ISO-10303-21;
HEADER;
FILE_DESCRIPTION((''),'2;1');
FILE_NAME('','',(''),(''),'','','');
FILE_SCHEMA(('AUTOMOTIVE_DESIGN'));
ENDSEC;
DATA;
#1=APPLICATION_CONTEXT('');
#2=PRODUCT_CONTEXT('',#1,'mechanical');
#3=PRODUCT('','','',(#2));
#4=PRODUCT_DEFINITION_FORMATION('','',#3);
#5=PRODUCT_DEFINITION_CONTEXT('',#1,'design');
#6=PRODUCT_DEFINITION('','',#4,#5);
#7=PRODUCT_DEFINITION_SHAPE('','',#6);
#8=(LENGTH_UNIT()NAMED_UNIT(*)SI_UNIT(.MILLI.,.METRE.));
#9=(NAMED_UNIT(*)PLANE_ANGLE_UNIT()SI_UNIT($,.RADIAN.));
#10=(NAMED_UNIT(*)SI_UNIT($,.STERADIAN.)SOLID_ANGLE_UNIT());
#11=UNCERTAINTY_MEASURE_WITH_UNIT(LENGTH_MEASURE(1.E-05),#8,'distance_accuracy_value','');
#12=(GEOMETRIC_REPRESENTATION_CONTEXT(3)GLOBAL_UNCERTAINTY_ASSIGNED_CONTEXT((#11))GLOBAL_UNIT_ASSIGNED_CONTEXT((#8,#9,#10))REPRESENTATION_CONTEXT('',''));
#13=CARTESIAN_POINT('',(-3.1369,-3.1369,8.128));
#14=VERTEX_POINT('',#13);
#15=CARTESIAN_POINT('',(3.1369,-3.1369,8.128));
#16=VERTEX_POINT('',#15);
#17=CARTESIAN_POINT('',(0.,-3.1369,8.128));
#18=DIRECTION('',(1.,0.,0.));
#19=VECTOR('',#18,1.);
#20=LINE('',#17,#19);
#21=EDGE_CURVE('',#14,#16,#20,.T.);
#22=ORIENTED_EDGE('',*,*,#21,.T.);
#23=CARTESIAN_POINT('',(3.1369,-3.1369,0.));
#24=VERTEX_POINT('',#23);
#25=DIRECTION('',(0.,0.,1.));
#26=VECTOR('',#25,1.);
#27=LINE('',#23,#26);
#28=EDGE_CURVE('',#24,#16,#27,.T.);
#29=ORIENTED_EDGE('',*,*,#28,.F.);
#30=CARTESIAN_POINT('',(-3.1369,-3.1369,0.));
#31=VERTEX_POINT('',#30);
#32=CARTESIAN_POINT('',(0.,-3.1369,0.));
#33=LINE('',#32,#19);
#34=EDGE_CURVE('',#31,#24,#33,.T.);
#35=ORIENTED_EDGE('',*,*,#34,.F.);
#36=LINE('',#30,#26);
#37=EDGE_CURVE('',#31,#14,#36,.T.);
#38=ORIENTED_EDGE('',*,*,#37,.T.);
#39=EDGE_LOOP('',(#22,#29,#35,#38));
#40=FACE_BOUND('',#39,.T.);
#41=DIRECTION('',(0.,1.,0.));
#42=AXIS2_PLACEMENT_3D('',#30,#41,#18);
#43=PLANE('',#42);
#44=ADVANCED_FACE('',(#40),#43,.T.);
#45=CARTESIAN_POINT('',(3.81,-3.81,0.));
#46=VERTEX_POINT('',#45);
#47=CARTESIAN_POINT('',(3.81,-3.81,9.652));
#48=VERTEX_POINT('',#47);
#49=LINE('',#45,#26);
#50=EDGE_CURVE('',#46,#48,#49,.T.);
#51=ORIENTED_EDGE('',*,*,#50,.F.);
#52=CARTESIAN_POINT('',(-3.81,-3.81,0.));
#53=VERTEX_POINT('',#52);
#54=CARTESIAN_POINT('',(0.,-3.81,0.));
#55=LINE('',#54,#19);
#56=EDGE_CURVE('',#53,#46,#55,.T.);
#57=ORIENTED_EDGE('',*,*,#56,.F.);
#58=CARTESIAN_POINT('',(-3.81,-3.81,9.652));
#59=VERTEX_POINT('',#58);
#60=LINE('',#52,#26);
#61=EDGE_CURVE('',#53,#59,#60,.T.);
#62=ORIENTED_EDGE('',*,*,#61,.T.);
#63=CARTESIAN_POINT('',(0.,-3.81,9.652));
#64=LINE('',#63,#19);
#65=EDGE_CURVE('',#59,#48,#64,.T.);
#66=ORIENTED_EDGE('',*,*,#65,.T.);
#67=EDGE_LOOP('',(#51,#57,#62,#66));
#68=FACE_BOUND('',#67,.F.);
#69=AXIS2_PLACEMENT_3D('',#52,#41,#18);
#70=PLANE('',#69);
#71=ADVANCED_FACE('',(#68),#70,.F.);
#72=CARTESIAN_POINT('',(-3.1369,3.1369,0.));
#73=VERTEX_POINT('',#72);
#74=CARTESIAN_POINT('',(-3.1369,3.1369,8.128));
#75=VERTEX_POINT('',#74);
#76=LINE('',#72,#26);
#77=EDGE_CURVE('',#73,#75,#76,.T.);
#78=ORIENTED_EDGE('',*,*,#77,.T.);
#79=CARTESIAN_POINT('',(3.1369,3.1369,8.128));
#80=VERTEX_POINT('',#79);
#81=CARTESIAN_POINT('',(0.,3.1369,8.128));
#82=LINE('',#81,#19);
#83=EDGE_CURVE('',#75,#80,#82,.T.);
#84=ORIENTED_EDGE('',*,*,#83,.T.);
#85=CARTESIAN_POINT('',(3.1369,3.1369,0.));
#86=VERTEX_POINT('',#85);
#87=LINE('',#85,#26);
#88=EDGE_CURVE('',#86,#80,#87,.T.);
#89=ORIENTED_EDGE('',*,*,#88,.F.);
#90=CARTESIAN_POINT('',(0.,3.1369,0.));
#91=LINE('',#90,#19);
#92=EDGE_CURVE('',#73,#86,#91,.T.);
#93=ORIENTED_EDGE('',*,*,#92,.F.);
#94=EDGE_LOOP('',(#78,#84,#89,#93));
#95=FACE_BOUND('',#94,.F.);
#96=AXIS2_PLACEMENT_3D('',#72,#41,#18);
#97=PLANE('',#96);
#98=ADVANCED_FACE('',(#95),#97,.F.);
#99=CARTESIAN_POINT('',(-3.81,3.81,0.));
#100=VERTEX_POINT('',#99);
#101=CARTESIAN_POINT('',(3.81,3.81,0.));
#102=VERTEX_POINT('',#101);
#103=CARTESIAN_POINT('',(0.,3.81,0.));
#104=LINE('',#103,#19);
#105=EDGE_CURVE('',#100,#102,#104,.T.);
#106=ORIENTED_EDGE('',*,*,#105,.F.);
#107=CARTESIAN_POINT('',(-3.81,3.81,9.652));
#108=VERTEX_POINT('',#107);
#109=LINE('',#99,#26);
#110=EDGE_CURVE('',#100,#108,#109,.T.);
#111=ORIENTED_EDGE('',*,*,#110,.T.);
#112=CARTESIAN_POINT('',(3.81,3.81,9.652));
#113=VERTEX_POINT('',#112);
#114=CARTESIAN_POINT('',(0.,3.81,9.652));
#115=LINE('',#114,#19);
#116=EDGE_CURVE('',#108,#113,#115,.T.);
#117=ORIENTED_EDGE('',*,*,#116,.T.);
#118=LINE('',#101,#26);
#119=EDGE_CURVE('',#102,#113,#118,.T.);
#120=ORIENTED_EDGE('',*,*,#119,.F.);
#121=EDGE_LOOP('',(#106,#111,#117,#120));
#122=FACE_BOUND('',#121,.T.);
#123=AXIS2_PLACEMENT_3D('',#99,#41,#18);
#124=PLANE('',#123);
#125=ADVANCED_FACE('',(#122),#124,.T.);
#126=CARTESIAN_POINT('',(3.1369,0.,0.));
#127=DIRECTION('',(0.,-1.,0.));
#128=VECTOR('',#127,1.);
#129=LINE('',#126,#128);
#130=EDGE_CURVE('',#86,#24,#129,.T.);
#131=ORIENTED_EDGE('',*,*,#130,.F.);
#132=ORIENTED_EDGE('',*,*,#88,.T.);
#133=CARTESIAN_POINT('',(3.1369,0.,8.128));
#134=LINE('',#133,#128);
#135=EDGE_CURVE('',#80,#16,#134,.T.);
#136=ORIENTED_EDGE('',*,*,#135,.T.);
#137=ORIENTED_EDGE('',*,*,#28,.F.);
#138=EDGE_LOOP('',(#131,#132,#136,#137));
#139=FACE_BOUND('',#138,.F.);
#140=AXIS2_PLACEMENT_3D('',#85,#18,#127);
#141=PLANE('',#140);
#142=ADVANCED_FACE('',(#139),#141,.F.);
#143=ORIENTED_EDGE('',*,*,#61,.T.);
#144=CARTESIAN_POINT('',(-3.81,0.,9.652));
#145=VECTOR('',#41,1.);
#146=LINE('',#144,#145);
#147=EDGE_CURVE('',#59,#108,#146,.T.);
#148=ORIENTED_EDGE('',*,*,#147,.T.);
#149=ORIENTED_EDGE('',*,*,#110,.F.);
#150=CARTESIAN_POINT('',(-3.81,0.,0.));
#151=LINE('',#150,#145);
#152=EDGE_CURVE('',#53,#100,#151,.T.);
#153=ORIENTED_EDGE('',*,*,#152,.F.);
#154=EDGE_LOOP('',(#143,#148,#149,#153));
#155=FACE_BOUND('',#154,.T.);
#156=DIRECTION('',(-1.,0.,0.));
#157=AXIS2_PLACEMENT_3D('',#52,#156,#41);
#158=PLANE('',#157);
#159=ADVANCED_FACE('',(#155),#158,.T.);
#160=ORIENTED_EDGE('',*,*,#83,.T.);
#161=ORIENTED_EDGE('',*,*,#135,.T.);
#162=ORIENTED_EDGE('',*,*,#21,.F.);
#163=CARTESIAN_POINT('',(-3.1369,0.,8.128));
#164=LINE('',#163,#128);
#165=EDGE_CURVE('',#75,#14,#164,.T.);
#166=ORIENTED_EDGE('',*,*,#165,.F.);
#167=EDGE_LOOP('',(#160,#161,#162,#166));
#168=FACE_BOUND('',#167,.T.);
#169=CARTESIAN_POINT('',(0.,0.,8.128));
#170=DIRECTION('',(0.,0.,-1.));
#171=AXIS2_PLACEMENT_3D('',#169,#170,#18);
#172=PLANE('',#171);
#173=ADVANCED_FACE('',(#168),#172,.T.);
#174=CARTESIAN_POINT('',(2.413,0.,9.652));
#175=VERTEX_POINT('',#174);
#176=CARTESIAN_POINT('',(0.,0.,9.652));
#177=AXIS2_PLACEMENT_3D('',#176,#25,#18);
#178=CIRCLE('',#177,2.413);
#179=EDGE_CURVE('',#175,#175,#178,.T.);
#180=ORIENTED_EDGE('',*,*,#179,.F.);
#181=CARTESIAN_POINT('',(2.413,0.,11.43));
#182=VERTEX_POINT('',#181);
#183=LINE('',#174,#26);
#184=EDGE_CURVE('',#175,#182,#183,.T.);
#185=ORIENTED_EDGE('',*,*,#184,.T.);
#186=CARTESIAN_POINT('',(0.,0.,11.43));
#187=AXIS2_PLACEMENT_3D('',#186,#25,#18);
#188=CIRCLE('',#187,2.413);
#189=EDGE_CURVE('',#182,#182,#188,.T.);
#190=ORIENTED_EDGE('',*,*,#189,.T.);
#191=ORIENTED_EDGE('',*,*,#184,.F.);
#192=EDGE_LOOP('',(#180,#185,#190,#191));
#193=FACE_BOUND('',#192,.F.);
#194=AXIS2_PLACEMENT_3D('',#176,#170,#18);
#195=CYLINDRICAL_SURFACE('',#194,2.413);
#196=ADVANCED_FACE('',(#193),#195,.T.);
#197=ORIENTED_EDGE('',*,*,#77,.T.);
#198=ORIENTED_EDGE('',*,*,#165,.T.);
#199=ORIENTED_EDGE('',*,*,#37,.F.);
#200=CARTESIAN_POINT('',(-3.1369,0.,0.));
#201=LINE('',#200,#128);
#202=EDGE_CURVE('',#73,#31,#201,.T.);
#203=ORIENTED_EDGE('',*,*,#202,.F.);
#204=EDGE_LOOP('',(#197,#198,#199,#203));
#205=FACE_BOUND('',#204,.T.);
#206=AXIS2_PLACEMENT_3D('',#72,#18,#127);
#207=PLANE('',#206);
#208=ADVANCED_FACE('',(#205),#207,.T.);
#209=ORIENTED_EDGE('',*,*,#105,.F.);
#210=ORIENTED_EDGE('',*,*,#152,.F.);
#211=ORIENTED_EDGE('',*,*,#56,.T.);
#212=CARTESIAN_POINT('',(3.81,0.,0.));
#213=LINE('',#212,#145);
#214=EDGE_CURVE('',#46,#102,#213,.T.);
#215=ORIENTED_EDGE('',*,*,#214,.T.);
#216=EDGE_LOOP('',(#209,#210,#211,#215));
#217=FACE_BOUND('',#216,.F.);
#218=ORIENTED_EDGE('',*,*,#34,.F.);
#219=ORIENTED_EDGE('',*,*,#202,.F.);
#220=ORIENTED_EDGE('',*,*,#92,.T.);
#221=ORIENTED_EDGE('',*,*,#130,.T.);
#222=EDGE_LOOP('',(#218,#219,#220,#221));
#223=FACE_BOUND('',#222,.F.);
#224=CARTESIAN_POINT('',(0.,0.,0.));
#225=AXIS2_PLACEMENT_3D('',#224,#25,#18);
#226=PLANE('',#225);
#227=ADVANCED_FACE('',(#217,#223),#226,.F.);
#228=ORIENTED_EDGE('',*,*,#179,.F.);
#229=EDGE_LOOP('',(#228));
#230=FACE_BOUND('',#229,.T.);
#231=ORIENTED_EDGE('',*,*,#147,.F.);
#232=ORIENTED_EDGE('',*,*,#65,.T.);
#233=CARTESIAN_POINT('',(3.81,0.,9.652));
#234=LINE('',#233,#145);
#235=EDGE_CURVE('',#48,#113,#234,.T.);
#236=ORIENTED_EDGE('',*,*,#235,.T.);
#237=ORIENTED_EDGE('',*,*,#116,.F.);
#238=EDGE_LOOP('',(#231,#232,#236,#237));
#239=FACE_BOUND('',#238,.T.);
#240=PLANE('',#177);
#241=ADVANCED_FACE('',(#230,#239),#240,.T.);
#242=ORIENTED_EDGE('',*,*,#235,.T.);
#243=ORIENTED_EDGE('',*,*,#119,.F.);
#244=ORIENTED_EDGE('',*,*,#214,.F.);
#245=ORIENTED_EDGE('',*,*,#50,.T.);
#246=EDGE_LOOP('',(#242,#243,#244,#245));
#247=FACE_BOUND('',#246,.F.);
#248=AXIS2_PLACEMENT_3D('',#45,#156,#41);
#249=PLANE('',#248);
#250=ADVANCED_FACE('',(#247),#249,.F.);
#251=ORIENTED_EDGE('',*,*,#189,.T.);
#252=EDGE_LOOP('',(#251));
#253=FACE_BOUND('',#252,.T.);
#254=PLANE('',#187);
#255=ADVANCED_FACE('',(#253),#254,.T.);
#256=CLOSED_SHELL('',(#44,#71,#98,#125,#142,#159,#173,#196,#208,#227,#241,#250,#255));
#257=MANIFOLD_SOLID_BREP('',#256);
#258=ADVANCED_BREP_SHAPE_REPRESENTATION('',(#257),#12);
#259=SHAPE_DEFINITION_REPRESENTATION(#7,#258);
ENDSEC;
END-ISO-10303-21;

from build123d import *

# Parameters (mm, degrees)
F0_W     = 7.62
F0_H     = 7.62
F1_DEPTH = 9.652
F2_R     = 2.413
F3_DEPTH = 1.778
F4_W     = 6.2738
F4_H     = 6.2738
F5_DEPTH = 8.128


with BuildPart() as f1:
    # F0 (on Top) → F1 (new body)
    with BuildSketch(Plane.XY):
        Rectangle(F0_W, F0_H)
    extrude(amount=F1_DEPTH)

    # F2 (on face) → F3 (join)
    with BuildSketch(Plane.XY.offset(9.652)):
        Circle(F2_R)
    extrude(amount=F3_DEPTH)

    # F4 (on face) → F5 (cut)
    with BuildSketch(Plane(origin=(0, 0, 0), x_dir=(1, 0, 0), z_dir=(0, 0, -1))):
        Rectangle(F4_W, F4_H)
    extrude(amount=-F5_DEPTH, mode=Mode.SUBTRACT)


solid = f1.part
